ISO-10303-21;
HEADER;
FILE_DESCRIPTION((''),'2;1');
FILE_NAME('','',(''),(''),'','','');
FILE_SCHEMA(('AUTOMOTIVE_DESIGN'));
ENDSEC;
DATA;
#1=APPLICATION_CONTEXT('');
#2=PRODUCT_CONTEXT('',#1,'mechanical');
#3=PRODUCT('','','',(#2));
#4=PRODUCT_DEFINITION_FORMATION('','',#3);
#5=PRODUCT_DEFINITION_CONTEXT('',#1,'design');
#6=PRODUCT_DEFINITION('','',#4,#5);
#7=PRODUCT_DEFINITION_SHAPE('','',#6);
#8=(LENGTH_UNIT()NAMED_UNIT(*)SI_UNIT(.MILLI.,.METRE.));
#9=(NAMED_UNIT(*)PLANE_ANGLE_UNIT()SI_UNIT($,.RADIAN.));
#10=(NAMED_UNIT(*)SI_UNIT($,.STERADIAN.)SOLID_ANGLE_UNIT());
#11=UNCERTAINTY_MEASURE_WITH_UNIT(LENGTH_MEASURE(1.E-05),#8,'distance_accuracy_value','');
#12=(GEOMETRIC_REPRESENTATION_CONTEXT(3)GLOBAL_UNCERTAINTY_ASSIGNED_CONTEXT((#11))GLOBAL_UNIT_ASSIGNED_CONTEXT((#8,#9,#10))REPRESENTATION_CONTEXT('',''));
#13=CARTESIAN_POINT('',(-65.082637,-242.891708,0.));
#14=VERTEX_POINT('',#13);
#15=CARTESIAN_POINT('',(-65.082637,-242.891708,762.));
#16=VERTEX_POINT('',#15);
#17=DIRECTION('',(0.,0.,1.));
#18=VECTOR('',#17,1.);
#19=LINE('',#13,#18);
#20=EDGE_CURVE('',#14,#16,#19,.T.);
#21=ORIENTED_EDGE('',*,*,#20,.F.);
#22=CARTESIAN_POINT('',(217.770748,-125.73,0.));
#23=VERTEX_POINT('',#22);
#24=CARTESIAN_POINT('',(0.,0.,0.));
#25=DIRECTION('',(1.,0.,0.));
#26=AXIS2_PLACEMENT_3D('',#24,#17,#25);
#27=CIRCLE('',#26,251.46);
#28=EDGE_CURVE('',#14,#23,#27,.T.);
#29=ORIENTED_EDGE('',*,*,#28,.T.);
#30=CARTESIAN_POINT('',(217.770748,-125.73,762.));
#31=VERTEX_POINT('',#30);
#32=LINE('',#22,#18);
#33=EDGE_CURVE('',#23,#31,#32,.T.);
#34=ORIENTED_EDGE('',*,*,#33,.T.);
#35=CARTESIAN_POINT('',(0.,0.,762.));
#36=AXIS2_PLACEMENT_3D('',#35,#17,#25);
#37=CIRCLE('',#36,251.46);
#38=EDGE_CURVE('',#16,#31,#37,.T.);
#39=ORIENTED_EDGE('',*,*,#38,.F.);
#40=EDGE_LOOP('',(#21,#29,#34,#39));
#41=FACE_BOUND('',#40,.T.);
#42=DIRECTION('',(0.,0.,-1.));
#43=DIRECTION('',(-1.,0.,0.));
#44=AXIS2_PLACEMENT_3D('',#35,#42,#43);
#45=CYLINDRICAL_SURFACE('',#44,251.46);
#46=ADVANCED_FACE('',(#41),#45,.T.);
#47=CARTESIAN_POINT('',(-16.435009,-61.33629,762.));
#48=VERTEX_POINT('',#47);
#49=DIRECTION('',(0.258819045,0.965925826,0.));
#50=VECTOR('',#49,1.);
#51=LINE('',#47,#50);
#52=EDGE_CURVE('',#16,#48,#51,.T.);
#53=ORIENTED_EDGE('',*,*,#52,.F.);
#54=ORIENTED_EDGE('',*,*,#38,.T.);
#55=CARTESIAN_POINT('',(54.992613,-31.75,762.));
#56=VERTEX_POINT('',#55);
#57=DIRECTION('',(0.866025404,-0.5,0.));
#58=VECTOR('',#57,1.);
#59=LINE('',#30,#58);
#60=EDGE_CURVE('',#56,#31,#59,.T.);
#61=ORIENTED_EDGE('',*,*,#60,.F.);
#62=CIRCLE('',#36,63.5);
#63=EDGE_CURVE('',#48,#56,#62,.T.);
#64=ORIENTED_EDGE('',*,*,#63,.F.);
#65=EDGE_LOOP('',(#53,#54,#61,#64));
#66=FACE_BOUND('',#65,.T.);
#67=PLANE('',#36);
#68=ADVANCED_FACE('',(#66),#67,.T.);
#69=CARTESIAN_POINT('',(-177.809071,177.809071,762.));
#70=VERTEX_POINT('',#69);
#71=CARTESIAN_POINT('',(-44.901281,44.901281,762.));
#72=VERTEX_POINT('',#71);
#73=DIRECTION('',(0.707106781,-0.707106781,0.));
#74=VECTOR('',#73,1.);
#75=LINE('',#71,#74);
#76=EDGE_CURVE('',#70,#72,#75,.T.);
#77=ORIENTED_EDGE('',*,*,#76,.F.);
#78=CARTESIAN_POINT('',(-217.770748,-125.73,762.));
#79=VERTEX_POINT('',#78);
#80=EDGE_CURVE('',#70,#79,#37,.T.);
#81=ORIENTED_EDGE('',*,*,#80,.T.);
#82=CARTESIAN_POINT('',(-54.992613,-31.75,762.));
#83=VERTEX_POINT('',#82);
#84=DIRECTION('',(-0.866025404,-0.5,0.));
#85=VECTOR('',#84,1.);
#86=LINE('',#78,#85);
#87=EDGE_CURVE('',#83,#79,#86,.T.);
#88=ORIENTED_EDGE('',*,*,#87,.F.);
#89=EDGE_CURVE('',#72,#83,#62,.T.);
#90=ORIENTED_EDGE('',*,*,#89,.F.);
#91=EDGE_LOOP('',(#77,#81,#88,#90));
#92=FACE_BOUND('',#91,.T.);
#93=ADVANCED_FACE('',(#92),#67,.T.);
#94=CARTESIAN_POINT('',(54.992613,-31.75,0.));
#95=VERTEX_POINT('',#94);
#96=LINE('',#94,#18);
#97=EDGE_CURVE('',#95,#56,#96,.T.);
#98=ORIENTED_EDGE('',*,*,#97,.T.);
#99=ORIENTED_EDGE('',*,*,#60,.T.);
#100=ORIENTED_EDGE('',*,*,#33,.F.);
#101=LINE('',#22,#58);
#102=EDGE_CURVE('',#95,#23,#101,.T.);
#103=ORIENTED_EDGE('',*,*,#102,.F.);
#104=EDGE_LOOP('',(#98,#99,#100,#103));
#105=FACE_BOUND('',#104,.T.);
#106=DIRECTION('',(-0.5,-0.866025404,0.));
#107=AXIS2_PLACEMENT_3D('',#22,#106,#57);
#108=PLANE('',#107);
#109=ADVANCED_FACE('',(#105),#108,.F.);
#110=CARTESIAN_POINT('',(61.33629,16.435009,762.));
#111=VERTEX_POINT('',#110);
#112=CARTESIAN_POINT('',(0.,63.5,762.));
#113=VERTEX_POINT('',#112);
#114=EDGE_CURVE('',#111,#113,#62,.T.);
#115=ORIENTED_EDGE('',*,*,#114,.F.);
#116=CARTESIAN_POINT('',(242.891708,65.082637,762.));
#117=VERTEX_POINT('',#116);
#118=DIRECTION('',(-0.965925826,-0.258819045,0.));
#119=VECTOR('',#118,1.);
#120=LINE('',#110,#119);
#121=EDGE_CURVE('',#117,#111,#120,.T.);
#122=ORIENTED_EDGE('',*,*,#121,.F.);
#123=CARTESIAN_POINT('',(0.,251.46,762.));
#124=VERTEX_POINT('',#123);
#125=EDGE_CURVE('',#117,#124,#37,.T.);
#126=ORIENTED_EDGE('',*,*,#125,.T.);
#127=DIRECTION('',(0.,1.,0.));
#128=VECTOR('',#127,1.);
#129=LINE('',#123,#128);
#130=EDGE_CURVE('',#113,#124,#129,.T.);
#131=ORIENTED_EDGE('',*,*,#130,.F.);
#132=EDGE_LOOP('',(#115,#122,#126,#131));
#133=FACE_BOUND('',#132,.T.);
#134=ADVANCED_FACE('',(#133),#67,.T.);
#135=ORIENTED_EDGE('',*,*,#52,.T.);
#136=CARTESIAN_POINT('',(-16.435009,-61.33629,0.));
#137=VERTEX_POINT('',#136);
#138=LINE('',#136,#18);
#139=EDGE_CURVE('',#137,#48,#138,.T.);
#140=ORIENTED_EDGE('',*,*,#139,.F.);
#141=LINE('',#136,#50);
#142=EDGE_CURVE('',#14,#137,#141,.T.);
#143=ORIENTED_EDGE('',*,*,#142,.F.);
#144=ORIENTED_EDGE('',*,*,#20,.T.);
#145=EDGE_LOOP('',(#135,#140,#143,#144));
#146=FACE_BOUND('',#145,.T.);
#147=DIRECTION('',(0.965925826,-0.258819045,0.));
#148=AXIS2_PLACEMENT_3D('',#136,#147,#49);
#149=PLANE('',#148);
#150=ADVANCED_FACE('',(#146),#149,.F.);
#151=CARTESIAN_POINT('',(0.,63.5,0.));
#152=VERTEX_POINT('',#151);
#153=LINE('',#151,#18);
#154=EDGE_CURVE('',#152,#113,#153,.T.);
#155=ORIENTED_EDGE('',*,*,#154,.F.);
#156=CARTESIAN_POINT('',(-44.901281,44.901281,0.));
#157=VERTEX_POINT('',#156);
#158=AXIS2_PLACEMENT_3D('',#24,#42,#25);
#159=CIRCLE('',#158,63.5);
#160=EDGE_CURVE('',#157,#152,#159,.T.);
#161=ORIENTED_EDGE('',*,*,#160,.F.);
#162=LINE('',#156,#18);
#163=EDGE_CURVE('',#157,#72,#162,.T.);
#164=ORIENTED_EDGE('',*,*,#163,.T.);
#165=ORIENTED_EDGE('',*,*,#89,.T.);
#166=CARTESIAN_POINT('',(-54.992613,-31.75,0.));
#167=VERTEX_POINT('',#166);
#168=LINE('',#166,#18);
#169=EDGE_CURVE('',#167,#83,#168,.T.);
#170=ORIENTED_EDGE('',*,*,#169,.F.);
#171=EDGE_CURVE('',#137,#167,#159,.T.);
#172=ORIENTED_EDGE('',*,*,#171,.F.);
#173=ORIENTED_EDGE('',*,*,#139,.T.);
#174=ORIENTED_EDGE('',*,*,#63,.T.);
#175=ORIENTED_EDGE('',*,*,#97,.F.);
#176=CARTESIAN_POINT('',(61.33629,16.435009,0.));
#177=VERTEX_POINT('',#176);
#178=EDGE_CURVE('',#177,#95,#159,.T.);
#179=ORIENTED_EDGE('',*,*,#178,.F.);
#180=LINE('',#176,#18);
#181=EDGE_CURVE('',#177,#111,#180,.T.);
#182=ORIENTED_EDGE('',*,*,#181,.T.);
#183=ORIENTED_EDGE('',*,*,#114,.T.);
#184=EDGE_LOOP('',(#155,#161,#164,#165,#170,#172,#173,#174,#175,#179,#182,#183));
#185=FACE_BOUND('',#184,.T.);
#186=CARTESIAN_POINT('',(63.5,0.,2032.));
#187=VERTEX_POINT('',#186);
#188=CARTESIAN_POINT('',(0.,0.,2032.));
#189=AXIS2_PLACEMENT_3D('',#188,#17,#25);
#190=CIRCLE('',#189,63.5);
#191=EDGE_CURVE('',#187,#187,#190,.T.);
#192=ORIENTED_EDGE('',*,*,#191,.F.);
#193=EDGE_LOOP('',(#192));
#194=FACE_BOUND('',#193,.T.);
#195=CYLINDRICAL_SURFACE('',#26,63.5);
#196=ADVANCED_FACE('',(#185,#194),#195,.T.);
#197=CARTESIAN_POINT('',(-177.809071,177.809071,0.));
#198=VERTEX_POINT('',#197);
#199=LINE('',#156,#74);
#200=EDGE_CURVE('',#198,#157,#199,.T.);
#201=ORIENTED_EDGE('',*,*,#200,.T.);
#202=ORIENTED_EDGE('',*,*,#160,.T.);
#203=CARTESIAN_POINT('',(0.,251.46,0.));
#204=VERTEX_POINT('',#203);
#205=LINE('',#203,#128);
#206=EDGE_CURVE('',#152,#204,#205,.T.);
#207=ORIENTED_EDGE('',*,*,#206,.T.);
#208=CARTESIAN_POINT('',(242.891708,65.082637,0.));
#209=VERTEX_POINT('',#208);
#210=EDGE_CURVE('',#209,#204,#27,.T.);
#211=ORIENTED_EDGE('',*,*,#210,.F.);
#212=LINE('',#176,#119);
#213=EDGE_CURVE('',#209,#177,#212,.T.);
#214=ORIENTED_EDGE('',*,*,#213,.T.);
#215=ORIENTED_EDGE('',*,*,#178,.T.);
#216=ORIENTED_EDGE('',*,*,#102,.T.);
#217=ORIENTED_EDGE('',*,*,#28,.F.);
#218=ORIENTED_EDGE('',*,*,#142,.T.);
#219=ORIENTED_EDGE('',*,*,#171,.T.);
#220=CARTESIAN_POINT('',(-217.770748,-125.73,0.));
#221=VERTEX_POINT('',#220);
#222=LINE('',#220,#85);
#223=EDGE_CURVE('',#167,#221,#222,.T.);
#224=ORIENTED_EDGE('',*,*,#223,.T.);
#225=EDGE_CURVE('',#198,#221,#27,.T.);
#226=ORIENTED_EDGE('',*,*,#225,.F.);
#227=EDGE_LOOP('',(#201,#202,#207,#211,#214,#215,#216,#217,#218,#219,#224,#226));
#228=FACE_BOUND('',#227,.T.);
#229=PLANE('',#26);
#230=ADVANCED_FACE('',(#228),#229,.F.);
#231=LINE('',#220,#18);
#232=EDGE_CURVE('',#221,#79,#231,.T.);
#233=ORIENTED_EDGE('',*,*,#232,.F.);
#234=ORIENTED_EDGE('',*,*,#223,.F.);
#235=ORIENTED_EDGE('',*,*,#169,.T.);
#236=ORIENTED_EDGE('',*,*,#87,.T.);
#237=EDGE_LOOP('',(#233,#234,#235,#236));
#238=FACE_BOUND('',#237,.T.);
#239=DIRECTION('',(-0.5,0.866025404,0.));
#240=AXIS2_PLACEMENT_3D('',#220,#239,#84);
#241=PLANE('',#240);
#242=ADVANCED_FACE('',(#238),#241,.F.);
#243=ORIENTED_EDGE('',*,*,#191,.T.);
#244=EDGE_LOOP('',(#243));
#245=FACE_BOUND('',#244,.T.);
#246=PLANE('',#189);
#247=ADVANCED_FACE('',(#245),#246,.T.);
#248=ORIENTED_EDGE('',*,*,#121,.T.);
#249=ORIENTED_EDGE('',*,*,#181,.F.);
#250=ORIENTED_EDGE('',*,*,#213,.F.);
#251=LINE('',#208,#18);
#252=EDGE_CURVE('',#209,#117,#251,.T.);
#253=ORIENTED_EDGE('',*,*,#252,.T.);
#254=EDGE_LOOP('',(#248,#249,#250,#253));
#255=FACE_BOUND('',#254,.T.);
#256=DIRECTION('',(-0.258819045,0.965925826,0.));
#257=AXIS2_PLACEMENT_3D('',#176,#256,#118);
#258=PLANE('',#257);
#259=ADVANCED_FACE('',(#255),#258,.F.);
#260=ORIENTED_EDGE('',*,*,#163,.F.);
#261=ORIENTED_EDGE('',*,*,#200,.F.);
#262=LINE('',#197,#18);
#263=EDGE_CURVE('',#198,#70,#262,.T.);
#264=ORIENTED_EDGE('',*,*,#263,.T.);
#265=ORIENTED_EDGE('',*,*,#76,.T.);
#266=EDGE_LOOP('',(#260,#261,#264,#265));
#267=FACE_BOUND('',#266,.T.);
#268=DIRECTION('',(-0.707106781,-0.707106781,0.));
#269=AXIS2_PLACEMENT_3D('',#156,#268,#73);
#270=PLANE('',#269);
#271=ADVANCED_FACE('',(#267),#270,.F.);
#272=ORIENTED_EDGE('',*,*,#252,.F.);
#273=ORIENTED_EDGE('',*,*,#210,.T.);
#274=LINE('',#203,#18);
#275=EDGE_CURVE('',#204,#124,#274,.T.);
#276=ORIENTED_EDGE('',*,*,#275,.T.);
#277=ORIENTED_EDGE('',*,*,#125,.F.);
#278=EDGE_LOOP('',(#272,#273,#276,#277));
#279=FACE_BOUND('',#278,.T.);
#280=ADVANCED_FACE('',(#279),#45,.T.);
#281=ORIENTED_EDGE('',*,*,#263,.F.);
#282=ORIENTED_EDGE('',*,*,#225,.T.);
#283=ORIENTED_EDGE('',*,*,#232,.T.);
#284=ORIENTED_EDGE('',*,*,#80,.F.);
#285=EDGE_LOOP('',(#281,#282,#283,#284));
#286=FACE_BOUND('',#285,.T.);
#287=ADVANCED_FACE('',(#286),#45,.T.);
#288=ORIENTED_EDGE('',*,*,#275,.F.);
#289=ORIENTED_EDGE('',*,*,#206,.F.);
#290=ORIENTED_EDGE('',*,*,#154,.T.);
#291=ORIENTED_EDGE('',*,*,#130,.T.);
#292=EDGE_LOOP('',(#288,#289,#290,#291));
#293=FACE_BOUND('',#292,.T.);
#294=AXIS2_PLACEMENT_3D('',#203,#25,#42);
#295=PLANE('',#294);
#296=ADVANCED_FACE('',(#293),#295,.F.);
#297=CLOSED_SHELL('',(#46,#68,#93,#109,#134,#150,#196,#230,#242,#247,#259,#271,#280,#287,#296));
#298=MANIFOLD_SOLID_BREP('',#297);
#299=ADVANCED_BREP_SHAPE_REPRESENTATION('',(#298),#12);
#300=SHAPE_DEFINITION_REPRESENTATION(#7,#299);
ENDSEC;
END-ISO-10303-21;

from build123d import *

# Parameters (mm, degrees)
SKETCH1_R           = 251.46
BOSS_EXTRUDE1_DEPTH = 762
CUT_EXTRUDE1_DEPTH  = 841.897296464
BOSS_EXTRUDE2_START = 1270
SKETCH3_R           = 63.5
BOSS_EXTRUDE2_DEPTH = 1270


with BuildPart() as part:
    # Sketch1 → Boss-Extrude1 (new body)
    with BuildSketch(Plane.XY):
        Circle(SKETCH1_R)
    extrude(amount=BOSS_EXTRUDE1_DEPTH)

    # Sketch2 → Cut-Extrude1 (cut, through all)
    with BuildSketch(Plane.XY.offset(762)):
        with BuildLine():
            Line((-44.901280605, 44.901280605), (-177.809071197, 177.809071197))
            ThreePointArc((-177.809071197, 177.809071197), (-96.229575903, 232.318747245), (0, 251.46))
            Line((0, 251.46), (0, 63.5))
            ThreePointArc((0, 63.5), (-24.300397955, 58.666350314), (-44.901280605, 44.901280605))
        make_face()
        with BuildLine():
            Line((61.336289969, 16.435009364), (242.891708279, 65.082637081))
            ThreePointArc((242.891708279, 65.082637081), (249.308724841, -32.822116296), (217.770748036, -125.73))
            Line((217.770748036, -125.73), (54.99261314, -31.75))
            ThreePointArc((54.99261314, -31.75), (62.956748697, -8.288413206), (61.336289969, 16.435009364))
        make_face()
        with BuildLine():
            Line((-16.435009364, -61.336289969), (-65.082637081, -242.891708279))
            ThreePointArc((-65.082637081, -242.891708279), (-153.079148939, -199.49663095), (-217.770748036, -125.73))
            Line((-217.770748036, -125.73), (-54.99261314, -31.75))
            ThreePointArc((-54.99261314, -31.75), (-38.656350742, -50.377937108), (-16.435009364, -61.336289969))
        make_face()
    extrude(amount=-CUT_EXTRUDE1_DEPTH, mode=Mode.SUBTRACT)

    # Sketch3 → Boss-Extrude2 (add)
    with BuildSketch(Plane.XY.offset(762).offset(BOSS_EXTRUDE2_START)):
        Circle(SKETCH3_R)
    extrude(amount=-BOSS_EXTRUDE2_DEPTH)


solid = part.part
